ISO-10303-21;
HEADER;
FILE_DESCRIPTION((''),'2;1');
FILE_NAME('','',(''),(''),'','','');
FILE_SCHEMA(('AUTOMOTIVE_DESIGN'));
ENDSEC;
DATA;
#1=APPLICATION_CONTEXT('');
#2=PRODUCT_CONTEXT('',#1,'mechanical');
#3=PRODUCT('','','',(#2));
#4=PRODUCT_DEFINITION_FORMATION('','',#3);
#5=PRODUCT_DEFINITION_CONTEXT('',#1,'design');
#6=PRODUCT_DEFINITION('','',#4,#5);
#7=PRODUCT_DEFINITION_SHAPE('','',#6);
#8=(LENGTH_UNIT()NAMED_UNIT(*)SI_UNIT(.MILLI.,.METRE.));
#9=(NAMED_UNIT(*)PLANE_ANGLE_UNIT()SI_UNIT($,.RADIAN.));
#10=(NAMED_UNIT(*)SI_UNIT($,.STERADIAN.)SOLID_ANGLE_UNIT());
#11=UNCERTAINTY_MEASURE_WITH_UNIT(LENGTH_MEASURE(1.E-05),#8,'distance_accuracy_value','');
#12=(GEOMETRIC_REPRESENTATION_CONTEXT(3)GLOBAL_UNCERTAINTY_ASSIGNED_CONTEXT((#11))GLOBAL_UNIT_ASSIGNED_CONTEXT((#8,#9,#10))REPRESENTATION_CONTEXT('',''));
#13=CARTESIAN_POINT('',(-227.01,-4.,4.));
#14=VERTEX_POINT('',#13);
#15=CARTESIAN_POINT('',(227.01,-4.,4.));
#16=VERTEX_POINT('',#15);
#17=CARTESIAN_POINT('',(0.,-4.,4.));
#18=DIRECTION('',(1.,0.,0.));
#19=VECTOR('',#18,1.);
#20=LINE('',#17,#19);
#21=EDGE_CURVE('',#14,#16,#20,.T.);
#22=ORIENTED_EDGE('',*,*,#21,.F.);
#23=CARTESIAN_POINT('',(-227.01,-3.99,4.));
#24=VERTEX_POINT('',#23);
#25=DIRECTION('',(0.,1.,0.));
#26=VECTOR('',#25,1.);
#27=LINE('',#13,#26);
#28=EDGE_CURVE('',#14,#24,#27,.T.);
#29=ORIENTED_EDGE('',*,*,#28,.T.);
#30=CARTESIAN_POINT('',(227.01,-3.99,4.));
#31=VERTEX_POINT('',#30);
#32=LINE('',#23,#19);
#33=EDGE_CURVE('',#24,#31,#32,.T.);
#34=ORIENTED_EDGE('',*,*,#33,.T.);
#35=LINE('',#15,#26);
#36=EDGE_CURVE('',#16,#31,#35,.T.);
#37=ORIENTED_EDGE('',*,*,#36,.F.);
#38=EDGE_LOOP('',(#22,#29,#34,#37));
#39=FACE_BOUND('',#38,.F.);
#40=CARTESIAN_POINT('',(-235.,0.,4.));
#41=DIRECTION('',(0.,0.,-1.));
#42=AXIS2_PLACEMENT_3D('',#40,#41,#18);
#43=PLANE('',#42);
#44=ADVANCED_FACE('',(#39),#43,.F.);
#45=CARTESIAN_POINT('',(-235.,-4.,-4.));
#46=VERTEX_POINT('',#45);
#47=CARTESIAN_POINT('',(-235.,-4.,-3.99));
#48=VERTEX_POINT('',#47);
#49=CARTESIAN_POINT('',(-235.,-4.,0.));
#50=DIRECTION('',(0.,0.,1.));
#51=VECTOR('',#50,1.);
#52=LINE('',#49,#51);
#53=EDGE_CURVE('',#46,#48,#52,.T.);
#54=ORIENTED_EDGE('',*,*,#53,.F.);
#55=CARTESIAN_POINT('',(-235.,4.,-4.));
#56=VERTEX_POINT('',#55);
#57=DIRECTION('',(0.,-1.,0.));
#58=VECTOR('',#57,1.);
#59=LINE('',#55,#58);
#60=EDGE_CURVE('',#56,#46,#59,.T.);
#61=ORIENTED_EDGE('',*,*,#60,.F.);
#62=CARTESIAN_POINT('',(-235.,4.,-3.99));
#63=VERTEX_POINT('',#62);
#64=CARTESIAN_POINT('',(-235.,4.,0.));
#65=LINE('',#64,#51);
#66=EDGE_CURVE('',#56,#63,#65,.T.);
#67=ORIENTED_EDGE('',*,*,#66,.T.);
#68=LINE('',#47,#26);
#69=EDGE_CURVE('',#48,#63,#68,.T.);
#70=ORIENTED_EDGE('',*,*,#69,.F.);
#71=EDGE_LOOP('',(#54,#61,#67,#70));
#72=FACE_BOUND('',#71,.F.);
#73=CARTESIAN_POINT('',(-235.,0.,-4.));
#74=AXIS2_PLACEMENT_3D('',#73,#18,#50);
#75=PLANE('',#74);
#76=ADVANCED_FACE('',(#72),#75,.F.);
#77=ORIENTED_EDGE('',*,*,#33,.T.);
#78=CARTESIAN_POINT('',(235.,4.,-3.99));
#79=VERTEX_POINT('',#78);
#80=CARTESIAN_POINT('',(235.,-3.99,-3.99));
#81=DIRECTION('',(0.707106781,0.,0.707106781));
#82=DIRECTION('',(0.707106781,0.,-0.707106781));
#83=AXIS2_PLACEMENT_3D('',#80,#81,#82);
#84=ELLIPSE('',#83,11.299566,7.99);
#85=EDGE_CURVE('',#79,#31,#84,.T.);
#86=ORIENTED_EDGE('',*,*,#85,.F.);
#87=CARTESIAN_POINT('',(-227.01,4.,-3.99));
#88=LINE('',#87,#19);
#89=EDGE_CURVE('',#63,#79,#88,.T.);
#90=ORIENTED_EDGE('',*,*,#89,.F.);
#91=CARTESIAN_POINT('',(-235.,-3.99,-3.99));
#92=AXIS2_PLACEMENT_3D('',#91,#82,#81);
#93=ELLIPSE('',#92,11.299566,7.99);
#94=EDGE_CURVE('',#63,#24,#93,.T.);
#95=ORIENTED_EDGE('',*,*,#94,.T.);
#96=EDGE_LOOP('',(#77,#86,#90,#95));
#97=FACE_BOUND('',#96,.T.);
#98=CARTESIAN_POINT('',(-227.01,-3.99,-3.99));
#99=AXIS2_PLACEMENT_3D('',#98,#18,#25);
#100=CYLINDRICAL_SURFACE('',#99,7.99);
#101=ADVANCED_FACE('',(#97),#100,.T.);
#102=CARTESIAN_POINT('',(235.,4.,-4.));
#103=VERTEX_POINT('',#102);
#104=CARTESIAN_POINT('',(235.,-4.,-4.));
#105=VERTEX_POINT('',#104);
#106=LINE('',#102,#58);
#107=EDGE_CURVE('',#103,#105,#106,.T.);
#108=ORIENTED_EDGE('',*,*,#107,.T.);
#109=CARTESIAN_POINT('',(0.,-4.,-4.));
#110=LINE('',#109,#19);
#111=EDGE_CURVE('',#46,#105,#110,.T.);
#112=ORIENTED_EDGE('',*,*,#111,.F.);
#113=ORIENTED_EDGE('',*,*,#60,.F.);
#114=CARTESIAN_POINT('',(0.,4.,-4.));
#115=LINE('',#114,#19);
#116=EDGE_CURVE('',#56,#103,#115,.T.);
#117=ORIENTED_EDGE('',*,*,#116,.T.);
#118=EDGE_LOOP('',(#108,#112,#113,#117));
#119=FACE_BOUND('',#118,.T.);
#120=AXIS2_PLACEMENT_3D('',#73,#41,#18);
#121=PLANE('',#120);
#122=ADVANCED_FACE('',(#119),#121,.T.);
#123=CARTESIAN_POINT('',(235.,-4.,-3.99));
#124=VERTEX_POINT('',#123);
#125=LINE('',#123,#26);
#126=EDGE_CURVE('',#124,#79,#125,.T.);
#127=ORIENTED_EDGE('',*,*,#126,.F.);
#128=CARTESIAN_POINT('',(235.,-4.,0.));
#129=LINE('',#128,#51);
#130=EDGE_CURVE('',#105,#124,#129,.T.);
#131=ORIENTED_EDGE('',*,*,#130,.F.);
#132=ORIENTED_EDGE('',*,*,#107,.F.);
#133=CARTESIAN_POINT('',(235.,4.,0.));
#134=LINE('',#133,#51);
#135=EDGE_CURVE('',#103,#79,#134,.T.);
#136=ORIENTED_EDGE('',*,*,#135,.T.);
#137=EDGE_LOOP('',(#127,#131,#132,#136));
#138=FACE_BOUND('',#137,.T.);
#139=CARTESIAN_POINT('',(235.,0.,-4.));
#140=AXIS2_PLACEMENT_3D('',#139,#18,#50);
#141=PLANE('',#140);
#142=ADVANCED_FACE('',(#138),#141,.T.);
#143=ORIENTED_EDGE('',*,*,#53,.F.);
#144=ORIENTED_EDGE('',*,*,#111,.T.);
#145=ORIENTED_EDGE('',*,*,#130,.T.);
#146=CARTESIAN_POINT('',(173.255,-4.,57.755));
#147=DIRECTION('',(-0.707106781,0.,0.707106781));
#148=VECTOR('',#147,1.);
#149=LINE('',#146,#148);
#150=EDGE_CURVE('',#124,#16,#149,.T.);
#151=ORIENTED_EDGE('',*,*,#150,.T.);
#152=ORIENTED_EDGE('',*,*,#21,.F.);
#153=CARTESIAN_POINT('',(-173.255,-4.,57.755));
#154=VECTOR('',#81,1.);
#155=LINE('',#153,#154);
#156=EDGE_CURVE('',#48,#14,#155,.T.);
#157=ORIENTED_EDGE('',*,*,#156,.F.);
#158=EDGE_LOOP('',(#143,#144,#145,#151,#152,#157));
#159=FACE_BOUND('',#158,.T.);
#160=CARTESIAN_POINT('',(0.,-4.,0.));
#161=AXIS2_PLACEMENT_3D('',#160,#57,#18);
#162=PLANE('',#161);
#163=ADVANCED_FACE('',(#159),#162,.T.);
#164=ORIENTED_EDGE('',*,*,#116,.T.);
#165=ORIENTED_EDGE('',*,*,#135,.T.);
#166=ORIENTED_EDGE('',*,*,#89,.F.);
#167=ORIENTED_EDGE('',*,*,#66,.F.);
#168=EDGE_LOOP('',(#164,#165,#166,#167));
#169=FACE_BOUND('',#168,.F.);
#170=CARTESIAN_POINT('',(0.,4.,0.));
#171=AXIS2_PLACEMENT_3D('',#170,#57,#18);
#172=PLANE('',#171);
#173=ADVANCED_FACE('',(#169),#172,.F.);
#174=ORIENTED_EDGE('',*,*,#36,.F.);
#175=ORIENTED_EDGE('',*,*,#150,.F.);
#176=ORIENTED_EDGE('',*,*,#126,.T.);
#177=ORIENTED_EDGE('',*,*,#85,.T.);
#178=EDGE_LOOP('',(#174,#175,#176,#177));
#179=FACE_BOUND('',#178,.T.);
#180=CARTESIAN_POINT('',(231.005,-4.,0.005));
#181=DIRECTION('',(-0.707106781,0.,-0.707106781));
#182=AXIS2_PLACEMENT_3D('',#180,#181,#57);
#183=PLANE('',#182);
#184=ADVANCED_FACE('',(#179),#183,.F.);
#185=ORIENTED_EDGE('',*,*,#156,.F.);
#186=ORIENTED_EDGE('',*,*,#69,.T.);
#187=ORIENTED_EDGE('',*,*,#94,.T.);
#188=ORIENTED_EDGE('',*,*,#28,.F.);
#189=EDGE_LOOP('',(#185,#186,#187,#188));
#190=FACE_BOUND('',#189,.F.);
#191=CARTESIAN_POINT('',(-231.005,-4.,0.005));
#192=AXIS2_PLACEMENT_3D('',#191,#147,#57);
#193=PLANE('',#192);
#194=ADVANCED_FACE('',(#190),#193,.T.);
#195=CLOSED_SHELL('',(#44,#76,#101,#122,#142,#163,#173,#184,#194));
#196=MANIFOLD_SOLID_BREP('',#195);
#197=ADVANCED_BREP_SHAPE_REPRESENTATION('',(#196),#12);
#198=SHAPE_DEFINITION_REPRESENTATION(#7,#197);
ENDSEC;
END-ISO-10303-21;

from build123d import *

# Parameters (mm, degrees)
SKETCH001_W  = 470
SKETCH001_H  = 8
PAD001_DEPTH = 4
CHAMFER_SIZE = 7.99
FILLET_R     = 7.99


with BuildPart() as part:
    # Sketch001 → Pad001 (new body, symmetric)
    with BuildSketch(Plane.XZ):
        Rectangle(SKETCH001_W, SKETCH001_H)
    extrude(amount=PAD001_DEPTH, both=True)

    # Chamfer
    chamfer_edges = [part.edges().sort_by_distance(p)[0] for p in [
        (235, 0, 4),
        (-235, 0, 4),
    ]]
    chamfer(chamfer_edges, length=CHAMFER_SIZE)

    # Fillet
    fillet_edges = [part.edges().sort_by_distance(p)[0] for p in [
        (0, 4, 4),
    ]]
    fillet(fillet_edges, radius=FILLET_R)


solid = part.part
